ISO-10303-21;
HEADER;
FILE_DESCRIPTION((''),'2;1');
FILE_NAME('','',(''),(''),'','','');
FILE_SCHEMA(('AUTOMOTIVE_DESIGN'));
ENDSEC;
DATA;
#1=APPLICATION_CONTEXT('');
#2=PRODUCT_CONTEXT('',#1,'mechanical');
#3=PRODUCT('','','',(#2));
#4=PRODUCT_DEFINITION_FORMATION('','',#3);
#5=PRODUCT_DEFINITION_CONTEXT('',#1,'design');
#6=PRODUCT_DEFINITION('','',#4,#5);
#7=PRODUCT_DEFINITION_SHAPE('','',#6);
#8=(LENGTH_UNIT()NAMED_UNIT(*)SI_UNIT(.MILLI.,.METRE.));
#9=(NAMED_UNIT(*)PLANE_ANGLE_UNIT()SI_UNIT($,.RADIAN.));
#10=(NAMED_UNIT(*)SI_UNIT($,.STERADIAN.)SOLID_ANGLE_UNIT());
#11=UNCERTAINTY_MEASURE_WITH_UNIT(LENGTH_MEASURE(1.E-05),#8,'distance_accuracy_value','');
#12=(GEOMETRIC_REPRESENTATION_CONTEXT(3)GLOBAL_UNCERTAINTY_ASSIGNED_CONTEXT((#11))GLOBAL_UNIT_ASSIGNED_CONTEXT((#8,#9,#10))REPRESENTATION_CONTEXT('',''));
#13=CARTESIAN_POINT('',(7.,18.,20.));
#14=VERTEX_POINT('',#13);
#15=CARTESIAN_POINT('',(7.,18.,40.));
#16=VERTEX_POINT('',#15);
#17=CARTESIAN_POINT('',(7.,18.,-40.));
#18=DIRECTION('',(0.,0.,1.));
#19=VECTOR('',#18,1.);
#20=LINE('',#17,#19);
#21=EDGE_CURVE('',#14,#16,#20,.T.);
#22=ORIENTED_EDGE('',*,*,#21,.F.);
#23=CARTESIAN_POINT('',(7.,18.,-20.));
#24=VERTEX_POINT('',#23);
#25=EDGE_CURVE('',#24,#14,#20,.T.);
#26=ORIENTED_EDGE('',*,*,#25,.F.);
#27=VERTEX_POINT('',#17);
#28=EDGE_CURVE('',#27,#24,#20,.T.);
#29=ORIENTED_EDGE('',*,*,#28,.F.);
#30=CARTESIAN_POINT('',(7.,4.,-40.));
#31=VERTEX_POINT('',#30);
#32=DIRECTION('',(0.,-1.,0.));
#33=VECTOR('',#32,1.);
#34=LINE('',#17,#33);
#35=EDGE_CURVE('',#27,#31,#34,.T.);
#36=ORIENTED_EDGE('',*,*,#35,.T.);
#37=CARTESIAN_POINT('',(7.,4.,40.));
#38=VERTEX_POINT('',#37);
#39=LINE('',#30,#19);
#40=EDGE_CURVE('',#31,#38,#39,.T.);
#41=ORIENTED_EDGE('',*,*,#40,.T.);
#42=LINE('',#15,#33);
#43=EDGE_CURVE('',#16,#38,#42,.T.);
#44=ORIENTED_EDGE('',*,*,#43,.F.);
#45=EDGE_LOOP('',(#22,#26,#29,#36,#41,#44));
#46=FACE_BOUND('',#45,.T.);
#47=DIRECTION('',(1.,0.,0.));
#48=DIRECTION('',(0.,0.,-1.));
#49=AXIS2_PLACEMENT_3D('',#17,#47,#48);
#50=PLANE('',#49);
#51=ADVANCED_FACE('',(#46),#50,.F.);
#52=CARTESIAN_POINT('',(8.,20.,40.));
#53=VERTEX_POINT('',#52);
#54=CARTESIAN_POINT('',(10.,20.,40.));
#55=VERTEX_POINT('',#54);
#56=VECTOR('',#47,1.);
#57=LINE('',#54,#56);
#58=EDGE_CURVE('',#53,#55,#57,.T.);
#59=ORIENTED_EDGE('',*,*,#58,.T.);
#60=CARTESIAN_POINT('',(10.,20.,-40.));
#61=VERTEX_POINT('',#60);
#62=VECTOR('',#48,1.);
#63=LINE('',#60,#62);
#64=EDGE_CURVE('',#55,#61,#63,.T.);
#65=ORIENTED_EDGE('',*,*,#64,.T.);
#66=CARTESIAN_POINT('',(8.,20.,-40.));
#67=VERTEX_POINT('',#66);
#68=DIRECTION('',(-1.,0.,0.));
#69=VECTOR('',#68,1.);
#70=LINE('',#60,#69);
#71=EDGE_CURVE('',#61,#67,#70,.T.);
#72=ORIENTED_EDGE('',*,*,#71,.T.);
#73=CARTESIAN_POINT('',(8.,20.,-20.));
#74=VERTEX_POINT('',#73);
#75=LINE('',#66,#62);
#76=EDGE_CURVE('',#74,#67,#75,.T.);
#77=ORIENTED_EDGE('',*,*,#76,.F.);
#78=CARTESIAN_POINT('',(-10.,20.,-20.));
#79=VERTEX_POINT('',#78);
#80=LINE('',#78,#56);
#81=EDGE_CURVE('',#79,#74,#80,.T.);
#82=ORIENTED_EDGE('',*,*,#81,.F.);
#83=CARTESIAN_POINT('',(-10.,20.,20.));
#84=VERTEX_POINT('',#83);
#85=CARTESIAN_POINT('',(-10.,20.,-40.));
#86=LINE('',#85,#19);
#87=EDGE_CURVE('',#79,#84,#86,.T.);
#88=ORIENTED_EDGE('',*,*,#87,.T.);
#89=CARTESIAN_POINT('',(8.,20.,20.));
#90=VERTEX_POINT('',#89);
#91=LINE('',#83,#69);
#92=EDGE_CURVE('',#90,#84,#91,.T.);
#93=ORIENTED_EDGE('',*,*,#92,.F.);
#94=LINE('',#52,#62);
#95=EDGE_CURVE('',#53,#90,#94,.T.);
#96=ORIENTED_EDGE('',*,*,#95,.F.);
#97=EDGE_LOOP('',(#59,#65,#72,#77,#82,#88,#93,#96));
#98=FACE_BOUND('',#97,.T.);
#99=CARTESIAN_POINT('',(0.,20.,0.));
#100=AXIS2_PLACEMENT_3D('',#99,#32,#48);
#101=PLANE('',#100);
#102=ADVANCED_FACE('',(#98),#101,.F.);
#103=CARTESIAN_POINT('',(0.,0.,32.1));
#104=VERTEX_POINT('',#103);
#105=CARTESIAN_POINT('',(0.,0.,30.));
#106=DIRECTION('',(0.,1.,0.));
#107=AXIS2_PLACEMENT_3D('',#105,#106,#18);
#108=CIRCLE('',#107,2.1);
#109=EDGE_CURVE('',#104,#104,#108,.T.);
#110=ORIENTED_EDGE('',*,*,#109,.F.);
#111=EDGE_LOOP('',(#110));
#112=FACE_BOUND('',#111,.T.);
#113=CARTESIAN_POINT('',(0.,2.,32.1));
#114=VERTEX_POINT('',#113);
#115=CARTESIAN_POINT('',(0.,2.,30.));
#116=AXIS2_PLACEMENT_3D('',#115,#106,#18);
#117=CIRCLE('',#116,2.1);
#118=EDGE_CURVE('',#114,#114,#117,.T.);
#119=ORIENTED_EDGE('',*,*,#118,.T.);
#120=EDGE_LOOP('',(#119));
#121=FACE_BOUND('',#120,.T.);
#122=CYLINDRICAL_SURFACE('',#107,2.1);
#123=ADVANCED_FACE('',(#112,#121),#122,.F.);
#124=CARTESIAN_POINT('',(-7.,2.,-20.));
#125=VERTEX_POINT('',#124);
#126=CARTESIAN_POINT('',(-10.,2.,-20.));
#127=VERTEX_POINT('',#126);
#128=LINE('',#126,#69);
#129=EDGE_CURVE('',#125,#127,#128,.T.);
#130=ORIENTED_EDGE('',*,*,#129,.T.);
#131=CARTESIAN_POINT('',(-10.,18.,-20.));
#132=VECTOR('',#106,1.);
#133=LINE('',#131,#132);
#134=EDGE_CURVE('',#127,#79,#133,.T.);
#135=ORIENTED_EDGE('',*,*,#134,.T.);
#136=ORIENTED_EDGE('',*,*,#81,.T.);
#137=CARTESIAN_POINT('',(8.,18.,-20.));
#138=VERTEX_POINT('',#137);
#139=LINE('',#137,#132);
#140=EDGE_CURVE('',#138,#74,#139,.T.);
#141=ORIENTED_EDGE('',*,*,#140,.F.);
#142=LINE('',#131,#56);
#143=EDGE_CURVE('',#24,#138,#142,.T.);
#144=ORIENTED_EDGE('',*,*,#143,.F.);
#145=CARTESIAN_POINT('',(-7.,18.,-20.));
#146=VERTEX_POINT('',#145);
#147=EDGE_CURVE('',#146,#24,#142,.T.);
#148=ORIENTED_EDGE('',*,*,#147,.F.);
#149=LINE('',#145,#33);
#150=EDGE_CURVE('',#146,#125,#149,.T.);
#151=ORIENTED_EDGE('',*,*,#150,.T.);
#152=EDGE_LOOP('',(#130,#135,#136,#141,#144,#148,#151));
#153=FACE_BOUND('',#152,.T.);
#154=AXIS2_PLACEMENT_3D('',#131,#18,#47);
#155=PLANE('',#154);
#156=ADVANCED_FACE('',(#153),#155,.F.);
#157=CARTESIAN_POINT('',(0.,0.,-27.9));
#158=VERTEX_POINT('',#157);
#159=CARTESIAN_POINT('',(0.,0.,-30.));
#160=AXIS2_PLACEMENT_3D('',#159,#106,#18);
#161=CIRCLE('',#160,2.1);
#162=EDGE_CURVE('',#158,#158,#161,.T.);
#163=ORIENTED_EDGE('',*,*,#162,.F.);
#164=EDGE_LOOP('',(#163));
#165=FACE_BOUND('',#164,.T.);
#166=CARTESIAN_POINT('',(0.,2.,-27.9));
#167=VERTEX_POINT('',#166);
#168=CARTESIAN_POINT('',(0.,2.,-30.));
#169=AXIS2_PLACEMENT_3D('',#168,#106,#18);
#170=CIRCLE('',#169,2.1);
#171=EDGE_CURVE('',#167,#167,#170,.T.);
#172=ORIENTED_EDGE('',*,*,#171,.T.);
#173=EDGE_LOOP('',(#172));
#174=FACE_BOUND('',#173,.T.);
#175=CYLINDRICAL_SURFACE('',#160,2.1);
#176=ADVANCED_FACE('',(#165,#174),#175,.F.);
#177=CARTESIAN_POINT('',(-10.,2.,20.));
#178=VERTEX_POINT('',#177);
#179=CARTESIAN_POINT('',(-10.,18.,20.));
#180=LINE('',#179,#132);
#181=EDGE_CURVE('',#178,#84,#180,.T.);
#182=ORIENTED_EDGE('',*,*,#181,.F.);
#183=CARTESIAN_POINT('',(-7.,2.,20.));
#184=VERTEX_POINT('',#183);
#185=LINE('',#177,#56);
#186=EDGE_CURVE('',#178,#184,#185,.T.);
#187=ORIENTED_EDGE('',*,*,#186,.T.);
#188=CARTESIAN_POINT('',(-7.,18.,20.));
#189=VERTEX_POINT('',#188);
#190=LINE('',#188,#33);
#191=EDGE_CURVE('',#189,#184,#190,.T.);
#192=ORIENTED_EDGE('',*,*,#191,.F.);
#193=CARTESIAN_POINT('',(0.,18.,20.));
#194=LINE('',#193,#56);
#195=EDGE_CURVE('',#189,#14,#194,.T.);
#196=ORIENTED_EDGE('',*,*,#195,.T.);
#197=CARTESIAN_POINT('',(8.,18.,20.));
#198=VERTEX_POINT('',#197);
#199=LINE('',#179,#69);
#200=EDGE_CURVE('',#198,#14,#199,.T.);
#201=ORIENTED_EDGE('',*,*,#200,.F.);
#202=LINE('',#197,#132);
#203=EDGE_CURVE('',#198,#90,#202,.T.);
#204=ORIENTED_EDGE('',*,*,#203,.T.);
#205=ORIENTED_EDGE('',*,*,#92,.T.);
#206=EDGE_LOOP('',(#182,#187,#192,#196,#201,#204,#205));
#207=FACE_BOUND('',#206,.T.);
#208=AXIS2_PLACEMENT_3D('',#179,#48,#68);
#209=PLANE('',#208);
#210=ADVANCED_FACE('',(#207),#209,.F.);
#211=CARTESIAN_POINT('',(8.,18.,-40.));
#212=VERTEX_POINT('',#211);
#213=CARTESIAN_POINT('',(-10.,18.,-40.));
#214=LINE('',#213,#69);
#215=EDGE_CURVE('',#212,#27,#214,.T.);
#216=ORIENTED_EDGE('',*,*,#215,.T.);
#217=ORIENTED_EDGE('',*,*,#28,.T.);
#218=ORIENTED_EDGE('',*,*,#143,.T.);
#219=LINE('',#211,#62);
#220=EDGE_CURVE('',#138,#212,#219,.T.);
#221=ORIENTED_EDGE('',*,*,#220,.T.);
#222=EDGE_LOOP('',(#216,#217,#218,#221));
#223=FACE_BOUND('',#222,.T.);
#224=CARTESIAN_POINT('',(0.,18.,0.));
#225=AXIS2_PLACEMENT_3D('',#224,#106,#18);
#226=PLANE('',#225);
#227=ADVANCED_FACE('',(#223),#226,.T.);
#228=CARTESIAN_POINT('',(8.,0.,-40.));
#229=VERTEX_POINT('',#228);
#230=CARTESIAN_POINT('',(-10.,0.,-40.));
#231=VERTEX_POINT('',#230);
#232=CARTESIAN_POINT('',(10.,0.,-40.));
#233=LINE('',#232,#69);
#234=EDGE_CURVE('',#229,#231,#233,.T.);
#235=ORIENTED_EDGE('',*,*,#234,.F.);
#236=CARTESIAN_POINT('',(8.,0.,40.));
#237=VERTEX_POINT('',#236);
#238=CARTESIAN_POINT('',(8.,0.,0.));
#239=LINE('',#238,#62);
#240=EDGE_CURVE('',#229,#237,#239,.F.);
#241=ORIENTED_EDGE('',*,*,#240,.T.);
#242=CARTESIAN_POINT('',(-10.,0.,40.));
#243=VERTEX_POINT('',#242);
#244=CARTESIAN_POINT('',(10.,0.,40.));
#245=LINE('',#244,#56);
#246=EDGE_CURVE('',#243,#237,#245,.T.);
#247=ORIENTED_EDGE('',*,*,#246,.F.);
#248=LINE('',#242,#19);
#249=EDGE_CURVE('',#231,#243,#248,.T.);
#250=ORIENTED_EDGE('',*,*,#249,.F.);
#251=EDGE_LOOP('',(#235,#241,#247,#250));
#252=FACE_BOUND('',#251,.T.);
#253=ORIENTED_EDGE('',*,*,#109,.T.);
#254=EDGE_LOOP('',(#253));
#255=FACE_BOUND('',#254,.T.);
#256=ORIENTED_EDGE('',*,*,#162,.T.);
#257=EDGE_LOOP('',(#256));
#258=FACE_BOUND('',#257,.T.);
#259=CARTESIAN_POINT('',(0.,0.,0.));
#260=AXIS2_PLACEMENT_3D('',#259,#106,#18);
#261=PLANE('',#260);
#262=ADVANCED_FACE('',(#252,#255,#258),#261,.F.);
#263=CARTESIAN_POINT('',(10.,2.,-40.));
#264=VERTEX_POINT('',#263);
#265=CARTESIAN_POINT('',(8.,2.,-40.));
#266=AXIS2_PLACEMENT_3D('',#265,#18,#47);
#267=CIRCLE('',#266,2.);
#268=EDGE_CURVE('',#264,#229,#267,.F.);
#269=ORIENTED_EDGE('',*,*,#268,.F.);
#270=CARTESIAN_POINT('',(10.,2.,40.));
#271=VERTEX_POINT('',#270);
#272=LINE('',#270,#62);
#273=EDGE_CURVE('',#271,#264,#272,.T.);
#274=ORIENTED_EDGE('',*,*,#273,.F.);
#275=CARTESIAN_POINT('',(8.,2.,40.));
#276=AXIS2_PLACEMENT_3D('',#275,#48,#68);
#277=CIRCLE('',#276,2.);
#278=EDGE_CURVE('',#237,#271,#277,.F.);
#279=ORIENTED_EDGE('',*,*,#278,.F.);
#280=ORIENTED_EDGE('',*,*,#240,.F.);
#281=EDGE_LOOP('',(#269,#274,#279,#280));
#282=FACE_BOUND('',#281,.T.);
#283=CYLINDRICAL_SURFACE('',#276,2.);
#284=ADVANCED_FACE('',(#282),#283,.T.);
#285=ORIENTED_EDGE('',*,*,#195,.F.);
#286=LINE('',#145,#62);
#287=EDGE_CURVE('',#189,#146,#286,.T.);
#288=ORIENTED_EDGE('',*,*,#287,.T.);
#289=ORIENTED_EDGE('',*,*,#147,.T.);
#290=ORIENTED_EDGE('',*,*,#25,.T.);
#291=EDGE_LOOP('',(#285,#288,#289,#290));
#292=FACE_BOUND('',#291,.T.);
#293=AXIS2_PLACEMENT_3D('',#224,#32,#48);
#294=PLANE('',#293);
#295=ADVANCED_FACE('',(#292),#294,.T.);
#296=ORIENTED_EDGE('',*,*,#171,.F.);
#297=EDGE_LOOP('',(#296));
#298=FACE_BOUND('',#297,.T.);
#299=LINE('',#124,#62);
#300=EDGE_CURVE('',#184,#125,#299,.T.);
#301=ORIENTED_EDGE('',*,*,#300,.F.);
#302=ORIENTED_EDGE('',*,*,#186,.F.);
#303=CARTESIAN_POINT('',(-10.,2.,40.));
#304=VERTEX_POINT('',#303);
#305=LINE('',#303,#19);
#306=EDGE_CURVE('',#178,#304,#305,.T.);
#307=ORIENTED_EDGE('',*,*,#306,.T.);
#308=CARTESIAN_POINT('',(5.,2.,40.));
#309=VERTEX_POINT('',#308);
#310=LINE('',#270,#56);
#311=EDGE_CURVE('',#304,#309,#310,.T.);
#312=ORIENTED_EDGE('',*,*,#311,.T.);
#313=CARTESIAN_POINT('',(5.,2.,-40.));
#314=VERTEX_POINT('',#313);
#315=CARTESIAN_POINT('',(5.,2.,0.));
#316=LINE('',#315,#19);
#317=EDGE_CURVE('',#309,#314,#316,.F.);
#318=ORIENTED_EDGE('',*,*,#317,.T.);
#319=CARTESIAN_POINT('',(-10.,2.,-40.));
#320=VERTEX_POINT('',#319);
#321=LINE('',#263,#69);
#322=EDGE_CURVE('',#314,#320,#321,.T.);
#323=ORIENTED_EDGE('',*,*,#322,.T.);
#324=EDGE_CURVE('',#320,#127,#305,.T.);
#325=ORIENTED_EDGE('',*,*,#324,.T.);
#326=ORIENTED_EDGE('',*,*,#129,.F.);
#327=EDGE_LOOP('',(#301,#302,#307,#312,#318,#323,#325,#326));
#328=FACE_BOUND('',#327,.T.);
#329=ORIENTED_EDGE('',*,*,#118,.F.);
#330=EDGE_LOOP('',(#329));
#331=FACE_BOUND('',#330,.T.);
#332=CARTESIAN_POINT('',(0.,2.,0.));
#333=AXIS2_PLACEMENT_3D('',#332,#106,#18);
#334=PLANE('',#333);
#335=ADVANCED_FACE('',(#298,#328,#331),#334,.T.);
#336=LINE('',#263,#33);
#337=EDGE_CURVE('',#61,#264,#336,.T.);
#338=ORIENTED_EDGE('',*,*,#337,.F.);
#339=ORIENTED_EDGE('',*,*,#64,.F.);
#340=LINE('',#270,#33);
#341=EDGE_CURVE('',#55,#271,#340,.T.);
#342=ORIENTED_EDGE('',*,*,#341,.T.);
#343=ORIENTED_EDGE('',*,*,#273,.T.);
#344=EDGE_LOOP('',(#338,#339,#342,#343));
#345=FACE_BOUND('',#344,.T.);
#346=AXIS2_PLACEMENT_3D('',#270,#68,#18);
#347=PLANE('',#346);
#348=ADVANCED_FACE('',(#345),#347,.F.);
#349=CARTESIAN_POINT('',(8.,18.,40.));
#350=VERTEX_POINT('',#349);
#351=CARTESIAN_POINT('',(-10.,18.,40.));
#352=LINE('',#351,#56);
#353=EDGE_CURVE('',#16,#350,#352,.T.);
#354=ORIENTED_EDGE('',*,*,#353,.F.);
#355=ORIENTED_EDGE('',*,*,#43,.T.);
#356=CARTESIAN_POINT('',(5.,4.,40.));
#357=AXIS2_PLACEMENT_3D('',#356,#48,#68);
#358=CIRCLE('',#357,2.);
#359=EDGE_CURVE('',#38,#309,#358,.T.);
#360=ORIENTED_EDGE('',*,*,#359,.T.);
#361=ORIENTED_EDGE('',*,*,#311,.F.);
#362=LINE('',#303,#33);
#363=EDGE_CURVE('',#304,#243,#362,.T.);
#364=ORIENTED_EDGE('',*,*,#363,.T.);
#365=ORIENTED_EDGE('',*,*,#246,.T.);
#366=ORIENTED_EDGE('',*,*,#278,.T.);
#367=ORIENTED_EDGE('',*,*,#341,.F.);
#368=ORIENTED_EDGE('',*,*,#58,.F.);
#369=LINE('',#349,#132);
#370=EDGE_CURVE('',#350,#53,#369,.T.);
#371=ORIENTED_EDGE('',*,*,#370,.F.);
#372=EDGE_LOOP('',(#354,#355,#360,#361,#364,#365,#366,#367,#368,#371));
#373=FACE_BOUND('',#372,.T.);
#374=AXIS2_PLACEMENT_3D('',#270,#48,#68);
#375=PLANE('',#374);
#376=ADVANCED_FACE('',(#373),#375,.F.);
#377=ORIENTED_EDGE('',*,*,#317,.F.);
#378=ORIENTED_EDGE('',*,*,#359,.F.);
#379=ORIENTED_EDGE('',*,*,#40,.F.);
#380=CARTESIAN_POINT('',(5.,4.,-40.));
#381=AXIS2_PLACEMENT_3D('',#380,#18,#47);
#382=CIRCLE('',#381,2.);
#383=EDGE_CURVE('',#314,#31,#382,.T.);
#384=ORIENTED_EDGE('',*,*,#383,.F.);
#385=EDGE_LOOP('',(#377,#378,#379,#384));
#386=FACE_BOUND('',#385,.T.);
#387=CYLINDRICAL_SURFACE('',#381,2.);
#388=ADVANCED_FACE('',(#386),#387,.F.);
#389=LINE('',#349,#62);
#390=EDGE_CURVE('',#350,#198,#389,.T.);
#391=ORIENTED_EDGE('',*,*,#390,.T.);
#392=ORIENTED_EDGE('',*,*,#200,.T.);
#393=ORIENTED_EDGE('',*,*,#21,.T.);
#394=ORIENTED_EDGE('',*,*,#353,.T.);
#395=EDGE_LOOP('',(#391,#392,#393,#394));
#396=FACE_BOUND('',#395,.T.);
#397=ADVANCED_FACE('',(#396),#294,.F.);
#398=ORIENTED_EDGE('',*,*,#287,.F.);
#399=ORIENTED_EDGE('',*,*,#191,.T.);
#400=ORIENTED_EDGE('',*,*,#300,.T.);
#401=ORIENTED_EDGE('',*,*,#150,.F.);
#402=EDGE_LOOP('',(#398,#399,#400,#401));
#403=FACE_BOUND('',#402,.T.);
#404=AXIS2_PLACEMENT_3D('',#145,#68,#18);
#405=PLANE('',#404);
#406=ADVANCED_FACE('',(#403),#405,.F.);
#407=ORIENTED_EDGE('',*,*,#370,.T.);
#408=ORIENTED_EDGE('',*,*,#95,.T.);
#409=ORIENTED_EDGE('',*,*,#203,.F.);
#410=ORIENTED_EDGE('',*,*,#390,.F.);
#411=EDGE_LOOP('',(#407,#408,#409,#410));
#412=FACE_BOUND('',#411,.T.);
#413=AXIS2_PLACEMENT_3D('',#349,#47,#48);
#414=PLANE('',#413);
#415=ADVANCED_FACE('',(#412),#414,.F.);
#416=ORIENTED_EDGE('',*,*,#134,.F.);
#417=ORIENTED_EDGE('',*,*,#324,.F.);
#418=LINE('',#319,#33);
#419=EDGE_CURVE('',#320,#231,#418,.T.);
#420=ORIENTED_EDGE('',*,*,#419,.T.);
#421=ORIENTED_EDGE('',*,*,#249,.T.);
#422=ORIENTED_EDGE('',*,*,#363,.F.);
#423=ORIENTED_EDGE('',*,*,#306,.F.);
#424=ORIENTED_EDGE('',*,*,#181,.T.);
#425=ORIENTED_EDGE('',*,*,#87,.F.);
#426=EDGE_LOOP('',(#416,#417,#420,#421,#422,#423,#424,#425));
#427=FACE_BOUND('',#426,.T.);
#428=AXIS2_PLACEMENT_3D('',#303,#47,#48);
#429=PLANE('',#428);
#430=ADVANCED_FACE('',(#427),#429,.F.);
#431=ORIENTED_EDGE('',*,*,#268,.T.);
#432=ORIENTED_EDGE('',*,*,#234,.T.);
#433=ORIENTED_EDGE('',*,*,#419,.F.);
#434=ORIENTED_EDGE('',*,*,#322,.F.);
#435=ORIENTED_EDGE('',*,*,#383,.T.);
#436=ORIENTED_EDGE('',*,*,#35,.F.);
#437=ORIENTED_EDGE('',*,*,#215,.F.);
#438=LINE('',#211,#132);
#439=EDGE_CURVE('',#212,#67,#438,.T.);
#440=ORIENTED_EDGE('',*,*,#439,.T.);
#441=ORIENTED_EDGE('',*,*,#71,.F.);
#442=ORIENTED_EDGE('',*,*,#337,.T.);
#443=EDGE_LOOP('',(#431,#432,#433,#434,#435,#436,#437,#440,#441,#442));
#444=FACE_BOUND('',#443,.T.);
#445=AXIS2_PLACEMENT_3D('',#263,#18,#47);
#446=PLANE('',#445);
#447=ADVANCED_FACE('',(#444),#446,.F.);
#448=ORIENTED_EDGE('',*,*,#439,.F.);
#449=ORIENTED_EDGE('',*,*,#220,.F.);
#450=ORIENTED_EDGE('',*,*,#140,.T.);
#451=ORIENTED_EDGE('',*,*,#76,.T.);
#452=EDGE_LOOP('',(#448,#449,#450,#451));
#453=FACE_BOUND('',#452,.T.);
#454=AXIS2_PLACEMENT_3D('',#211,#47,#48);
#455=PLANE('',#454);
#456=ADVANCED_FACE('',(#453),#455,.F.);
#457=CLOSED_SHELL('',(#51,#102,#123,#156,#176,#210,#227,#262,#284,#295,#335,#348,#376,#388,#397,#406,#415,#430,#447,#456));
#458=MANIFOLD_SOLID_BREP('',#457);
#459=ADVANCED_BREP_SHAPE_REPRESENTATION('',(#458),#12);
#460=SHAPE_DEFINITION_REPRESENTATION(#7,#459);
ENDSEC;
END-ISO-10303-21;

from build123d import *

# Parameters (mm, degrees)
CROQUIS1_W              = 20
CROQUIS1_H              = 80
SALIENTE_EXTRUIR1_DEPTH = 2
CROQUIS2_W              = 3
CROQUIS2_H              = 80
SALIENTE_EXTRUIR2_DEPTH = 16
REDONDEO1_R             = 2
REDONDEO2_R             = 2
CROQUIS3_W              = 20
CROQUIS3_H              = 80
SALIENTE_EXTRUIR3_DEPTH = 2
CROQUIS5_R              = 2.1
CORTAR_EXTRUIR1_DEPTH   = 2
CROQUIS6_W              = 18
CROQUIS6_H              = 20
CORTAR_EXTRUIR3_DEPTH   = 2
CROQUIS7_W              = 3
CROQUIS7_H              = 40
SALIENTE_EXTRUIR4_DEPTH = 16


with BuildPart() as part:
    # Croquis1 → Saliente-Extruir1 (new body)
    with BuildSketch(Plane(origin=(0, 0, 0), x_dir=(1, 0, 0), z_dir=(0, 1, 0))):
        Rectangle(CROQUIS1_W, CROQUIS1_H)
    extrude(amount=SALIENTE_EXTRUIR1_DEPTH)

    # Croquis2 → Saliente-Extruir2 (add)
    with BuildSketch(Plane(origin=(0, 2, 0), x_dir=(1, 0, 0), z_dir=(0, 1, 0))):
        with Locations((8.5, 0)):
            Rectangle(CROQUIS2_W, CROQUIS2_H)
    extrude(amount=SALIENTE_EXTRUIR2_DEPTH)

    # Redondeo1
    redondeo1_edges = [part.edges().sort_by_distance(p)[0] for p in [
        (10, 0, 0),
    ]]
    fillet(redondeo1_edges, radius=REDONDEO1_R)

    # Redondeo2
    redondeo2_edges = [part.edges().sort_by_distance(p)[0] for p in [
        (7, 2, 0),
    ]]
    fillet(redondeo2_edges, radius=REDONDEO2_R)

    # Croquis3 → Saliente-Extruir3 (add)
    with BuildSketch(Plane(origin=(0, 18, 0), x_dir=(1, 0, 0), z_dir=(0, 1, 0))):
        Rectangle(CROQUIS3_W, CROQUIS3_H)
    extrude(amount=SALIENTE_EXTRUIR3_DEPTH)

    # Croquis5 → Cortar-Extruir1 (cut)
    with BuildSketch(Plane(origin=(0, 2, 0), x_dir=(1, 0, 0), z_dir=(0, 1, 0))):
        with Locations(Location((0, 30, 0), (0, 0, 270))):
            Circle(CROQUIS5_R)
        with Locations(Location((0, -30, 0), (0, 0, 270))):
            Circle(CROQUIS5_R)
    extrude(amount=-CORTAR_EXTRUIR1_DEPTH, mode=Mode.SUBTRACT)

    # Croquis6 → Cortar-Extruir3 (cut)
    with BuildSketch(Plane(origin=(0, 20, 0), x_dir=(1, 0, 0), z_dir=(0, 1, 0))):
        with Locations((-1, 30)):
            Rectangle(CROQUIS6_W, CROQUIS6_H)
        with Locations((-1, -30)):
            Rectangle(CROQUIS6_W, CROQUIS6_H)
    extrude(amount=-CORTAR_EXTRUIR3_DEPTH, mode=Mode.SUBTRACT)

    # Croquis7 → Saliente-Extruir4 (add)
    with BuildSketch(Plane(origin=(0, 2, 0), x_dir=(1, 0, 0), z_dir=(0, 1, 0))):
        with Locations((-8.5, 0)):
            Rectangle(CROQUIS7_W, CROQUIS7_H)
    extrude(amount=SALIENTE_EXTRUIR4_DEPTH)


solid = part.part
